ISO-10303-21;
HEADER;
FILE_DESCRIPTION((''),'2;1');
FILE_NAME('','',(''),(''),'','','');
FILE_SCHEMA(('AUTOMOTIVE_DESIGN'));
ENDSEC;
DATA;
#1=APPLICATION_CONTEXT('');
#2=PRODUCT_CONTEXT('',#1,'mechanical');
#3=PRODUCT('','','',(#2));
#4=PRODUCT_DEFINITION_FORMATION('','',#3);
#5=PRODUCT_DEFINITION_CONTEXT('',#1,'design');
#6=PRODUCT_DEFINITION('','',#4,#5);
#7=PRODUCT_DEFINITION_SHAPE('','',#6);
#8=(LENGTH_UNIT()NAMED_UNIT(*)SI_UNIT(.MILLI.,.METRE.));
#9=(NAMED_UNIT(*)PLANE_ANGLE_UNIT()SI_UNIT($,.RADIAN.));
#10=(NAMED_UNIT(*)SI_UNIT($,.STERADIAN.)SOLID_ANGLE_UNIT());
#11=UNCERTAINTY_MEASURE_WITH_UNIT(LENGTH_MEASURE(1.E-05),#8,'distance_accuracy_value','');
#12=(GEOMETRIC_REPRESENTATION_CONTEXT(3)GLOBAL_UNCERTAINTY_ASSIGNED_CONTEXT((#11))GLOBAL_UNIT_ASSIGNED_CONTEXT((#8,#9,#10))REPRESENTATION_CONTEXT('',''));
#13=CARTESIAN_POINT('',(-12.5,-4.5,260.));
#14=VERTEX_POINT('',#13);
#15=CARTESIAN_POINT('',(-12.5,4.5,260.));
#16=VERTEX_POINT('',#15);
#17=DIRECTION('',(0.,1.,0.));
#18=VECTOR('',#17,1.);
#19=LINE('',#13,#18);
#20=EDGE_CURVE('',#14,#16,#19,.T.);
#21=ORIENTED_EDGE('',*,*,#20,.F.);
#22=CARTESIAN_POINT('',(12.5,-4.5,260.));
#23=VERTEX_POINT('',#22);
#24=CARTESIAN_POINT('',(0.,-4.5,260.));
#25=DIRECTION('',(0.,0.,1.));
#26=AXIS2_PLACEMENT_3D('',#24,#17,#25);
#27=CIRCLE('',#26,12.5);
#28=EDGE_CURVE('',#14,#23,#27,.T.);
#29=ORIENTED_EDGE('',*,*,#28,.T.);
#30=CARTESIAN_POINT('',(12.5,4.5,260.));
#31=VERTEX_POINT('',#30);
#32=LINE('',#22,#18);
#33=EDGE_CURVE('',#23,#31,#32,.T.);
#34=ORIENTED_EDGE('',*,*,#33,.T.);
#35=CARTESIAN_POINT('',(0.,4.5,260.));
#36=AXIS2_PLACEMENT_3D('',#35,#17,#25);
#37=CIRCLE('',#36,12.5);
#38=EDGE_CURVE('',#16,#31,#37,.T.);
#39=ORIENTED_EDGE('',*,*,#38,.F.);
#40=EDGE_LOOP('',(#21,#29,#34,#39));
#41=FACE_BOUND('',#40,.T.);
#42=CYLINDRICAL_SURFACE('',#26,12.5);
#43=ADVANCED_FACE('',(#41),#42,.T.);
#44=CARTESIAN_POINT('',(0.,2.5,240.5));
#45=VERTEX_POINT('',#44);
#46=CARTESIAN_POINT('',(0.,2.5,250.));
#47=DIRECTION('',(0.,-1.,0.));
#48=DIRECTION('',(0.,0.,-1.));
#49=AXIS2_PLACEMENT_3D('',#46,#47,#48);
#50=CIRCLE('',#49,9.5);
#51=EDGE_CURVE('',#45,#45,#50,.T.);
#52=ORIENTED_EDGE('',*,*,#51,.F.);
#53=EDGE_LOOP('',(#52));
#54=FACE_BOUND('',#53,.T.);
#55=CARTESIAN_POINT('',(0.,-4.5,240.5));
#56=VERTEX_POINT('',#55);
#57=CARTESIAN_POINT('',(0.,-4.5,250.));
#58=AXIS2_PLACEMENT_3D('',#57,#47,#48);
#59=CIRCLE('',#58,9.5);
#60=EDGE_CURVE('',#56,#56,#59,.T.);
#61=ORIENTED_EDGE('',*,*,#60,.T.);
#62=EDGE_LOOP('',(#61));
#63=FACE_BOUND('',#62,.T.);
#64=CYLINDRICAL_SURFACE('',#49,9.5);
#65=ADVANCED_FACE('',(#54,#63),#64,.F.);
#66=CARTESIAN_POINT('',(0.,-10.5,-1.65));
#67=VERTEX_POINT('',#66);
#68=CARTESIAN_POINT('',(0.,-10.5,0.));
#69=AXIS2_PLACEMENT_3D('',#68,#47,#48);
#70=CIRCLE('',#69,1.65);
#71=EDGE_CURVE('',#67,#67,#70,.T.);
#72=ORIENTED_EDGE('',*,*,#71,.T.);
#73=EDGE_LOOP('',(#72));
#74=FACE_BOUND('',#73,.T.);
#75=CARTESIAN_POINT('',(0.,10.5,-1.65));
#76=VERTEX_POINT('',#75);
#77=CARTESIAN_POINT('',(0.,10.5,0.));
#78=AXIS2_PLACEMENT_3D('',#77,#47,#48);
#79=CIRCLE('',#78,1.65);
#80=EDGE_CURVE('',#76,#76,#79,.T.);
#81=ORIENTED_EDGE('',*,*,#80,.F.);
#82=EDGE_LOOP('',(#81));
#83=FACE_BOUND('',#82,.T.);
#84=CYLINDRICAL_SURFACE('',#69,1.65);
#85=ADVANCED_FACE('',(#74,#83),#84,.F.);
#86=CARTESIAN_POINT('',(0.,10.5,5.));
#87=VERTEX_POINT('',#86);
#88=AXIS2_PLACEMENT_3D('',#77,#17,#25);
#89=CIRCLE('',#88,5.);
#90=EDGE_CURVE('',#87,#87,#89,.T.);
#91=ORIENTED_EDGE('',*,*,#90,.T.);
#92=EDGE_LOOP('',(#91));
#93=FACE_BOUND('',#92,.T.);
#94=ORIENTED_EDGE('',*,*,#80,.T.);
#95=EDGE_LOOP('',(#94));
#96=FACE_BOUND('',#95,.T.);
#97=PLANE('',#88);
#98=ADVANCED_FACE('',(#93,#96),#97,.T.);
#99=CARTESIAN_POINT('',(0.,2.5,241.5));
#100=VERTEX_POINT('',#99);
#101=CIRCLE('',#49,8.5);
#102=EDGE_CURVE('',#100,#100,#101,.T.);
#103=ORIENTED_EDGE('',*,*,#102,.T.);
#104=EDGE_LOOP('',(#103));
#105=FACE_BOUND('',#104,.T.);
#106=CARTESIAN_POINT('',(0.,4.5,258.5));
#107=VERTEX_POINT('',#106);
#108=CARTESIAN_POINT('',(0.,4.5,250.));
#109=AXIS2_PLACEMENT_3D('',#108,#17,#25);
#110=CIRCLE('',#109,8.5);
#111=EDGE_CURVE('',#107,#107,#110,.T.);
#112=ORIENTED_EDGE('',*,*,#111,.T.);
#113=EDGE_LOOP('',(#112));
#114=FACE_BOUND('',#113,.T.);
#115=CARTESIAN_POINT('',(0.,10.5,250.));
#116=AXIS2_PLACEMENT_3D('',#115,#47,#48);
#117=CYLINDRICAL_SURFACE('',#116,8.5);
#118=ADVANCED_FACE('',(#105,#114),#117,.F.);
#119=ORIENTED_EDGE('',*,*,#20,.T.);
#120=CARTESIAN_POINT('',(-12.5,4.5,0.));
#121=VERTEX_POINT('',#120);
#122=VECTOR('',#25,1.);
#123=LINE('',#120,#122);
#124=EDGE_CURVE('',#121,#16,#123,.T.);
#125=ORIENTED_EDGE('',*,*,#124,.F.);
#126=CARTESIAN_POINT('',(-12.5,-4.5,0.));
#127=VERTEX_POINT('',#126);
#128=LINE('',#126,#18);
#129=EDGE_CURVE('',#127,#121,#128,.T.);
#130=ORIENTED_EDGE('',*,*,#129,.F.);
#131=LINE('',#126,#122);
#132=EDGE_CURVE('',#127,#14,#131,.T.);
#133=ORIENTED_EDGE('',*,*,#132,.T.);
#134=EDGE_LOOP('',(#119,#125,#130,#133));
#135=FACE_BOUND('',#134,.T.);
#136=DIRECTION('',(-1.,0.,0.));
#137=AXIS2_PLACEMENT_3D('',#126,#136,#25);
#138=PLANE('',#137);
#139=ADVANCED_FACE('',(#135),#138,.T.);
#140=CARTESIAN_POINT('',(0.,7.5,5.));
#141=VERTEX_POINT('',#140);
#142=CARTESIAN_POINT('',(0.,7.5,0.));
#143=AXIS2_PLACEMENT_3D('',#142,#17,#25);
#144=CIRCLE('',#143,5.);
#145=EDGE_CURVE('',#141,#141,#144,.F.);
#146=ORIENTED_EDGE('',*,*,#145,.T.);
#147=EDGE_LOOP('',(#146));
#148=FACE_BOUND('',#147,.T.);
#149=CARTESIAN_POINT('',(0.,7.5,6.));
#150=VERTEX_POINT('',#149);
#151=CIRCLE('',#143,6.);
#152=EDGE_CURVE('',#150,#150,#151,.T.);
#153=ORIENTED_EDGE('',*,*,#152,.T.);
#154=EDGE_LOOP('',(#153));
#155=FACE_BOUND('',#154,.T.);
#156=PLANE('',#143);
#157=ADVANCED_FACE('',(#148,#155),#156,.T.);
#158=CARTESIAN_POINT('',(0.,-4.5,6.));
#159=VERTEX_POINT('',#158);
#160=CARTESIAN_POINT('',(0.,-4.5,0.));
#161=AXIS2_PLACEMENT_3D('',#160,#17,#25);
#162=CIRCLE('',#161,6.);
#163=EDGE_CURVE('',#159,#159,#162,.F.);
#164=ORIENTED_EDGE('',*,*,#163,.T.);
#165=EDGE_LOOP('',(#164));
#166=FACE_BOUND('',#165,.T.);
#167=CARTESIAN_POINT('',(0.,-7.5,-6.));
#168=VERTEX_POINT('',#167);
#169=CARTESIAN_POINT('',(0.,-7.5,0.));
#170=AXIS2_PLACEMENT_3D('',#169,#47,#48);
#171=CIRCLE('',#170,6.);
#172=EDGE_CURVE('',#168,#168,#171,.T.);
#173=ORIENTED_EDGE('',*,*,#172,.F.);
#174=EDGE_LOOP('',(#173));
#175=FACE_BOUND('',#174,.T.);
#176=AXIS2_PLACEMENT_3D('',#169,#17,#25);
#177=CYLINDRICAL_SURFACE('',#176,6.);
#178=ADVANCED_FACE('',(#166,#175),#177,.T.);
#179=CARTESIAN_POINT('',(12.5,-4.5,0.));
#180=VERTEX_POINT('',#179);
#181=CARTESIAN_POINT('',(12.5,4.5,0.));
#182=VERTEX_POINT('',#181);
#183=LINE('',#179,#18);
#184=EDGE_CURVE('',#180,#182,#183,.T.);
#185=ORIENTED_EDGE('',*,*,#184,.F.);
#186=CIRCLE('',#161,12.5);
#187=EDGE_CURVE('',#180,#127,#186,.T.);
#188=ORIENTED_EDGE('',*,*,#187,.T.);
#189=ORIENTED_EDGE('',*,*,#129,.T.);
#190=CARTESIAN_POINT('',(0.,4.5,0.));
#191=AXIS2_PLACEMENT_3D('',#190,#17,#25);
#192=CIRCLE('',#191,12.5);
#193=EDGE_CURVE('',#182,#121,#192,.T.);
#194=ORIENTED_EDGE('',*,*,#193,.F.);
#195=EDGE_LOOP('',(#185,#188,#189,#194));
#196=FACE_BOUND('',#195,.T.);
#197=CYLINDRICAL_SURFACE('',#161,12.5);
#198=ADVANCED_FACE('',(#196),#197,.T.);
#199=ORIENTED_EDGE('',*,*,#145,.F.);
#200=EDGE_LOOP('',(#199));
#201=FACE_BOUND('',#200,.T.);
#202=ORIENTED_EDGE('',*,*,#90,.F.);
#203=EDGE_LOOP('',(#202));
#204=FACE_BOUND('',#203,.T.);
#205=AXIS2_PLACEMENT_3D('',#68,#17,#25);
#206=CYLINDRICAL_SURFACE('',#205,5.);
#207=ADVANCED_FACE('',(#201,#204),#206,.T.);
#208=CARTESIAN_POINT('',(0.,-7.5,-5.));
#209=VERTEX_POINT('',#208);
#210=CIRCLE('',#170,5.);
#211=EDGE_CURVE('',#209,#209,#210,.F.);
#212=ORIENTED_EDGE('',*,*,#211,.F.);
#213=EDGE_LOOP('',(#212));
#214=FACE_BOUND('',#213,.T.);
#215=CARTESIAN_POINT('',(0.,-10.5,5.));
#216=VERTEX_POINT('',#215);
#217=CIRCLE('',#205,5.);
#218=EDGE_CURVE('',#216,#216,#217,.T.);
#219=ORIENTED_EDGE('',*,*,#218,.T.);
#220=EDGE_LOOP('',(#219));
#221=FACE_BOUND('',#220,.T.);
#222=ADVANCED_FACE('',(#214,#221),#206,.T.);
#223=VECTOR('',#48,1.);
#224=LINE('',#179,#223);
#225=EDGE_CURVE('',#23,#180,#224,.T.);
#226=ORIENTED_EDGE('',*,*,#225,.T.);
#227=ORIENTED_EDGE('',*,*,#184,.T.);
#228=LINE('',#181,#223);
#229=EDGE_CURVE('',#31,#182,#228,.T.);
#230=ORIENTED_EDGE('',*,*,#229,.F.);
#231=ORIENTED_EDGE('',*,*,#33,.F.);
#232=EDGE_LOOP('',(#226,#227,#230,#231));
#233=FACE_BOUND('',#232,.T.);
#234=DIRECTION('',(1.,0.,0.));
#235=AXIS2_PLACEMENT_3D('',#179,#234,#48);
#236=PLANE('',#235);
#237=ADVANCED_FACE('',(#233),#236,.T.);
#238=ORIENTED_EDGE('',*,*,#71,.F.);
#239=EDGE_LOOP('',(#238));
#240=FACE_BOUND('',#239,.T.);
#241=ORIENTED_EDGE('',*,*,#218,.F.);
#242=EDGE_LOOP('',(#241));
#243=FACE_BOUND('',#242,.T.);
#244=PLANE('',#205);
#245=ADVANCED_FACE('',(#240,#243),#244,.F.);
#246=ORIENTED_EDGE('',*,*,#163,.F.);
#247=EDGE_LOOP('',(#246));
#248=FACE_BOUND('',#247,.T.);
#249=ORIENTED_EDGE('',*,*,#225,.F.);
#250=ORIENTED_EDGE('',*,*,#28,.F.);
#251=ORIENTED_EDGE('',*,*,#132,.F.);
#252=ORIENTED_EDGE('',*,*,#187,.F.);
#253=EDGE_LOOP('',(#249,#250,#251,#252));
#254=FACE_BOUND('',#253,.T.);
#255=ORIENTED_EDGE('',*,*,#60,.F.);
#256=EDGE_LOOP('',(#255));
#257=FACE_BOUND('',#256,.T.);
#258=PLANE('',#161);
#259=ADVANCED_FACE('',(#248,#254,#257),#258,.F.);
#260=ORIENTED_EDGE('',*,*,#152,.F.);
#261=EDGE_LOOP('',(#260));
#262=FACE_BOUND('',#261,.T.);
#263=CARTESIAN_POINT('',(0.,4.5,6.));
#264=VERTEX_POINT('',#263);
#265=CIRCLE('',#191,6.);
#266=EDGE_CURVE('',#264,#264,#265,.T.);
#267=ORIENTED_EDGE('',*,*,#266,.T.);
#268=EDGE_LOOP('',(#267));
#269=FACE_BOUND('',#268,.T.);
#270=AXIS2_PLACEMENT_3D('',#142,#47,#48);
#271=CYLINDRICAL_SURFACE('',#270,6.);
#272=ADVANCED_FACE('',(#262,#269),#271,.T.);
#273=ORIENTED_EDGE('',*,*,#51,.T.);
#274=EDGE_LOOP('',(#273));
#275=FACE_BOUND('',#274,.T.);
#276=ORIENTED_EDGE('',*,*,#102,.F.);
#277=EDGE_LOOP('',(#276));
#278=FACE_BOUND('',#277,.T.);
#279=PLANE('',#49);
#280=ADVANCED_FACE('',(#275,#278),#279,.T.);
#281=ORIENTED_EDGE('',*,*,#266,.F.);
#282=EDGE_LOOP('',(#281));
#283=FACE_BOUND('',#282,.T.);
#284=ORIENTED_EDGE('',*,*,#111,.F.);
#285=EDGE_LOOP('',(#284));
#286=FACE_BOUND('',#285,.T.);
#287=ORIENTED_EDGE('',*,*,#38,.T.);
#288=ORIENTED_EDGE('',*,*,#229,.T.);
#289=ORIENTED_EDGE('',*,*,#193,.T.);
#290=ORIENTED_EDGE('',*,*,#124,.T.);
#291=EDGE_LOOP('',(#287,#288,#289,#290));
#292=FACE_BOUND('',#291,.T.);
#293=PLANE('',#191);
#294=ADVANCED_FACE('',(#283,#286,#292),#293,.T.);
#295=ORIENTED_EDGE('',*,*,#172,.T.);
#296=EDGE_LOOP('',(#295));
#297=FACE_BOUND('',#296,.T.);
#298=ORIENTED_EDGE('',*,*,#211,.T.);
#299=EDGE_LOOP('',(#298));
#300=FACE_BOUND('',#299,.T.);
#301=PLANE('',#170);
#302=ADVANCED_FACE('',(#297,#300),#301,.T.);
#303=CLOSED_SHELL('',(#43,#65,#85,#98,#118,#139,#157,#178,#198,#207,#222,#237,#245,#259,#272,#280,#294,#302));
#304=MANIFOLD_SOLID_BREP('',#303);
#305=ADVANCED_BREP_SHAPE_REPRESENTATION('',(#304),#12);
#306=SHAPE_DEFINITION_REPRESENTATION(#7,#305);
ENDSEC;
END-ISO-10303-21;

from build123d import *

# Parameters (mm, degrees)
EXTRUDE_1_DEPTH      = 10.5
EXTRUDE_1_DEPTH_BACK = 10.5
SKETCH_1_R           = 5
EXTRUDE_3_DEPTH      = 4.5
EXTRUDE_3_DEPTH_BACK = 4.5
SKETCH_7_R           = 6
EXTRUDE_4_DEPTH      = 3
EXTRUDE_START        = 3
SKETCH_8_R           = 6
EXTRUDE_5_DEPTH      = 3
SKETCH_9_R           = 9.5
CUT_EXTRUDE_1_DEPTH  = 7
SKETCH_10_R          = 8.5
CUT_EXTRUDE_2_DEPTH  = 274.096136919
HOLE_WIZARD_M4_1_D   = 3.3


with BuildPart() as part:
    # 스케치1 → 보스-돌출1 (new, two sides: drawn at the far end of the back side and taken through both)
    with BuildSketch(Plane(origin=(0, 0, 0), x_dir=(1, 0, 0), z_dir=(0, 1, 0)).offset(-EXTRUDE_1_DEPTH_BACK)):
        Circle(SKETCH_1_R)
    extrude(amount=EXTRUDE_1_DEPTH + EXTRUDE_1_DEPTH_BACK)

    # 스케치6 → 보스-돌출3 (add, two sides: drawn at the far end of the back side and taken through both)
    with BuildSketch(Plane(origin=(0, 0, 0), x_dir=(1, 0, 0), z_dir=(0, 1, 0)).offset(-EXTRUDE_3_DEPTH_BACK)):
        with BuildLine():
            Line((-12.5, 0), (-12.5, -260))
            ThreePointArc((-12.5, -260), (0, -272.5), (12.5, -260))
            Line((12.5, -260), (12.5, 0))
            ThreePointArc((12.5, 0), (0, 12.5), (-12.5, 0))
        make_face()
    extrude(amount=EXTRUDE_3_DEPTH + EXTRUDE_3_DEPTH_BACK)

    # 스케치7 → 보스-돌출4 (add)
    with BuildSketch(Plane.XZ.offset(4.5)):
        Circle(SKETCH_7_R)
    extrude(amount=EXTRUDE_4_DEPTH)

    # 스케치8 → 보스-돌출5 (add)
    with BuildSketch(Plane(origin=(0, 4.5, 0), x_dir=(1, 0, 0), z_dir=(0, 1, 0)).offset(EXTRUDE_START)):
        Circle(SKETCH_8_R)
    extrude(amount=-EXTRUDE_5_DEPTH)

    # 스케치9 → 컷-돌출1 (cut)
    with BuildSketch(Plane.XZ.offset(4.5)):
        with Locations((0, 250)):
            Circle(SKETCH_9_R)
    extrude(amount=-CUT_EXTRUDE_1_DEPTH, mode=Mode.SUBTRACT)

    # 스케치10 → 컷-돌출2 (cut, through all)
    with BuildSketch(Plane.XZ.offset(-2.5)):
        with Locations((0, 250)):
            Circle(SKETCH_10_R)
    extrude(amount=-CUT_EXTRUDE_2_DEPTH, mode=Mode.SUBTRACT)

    # M4 탭을 위한 탭 드릴1 (through all)
    with Locations(Plane(origin=(0, -10.5, 0), x_dir=(-1, 0, 0), z_dir=(0, -1, 0))):
        with Locations((0, 0)):
            Hole(HOLE_WIZARD_M4_1_D / 2)


solid = part.part
